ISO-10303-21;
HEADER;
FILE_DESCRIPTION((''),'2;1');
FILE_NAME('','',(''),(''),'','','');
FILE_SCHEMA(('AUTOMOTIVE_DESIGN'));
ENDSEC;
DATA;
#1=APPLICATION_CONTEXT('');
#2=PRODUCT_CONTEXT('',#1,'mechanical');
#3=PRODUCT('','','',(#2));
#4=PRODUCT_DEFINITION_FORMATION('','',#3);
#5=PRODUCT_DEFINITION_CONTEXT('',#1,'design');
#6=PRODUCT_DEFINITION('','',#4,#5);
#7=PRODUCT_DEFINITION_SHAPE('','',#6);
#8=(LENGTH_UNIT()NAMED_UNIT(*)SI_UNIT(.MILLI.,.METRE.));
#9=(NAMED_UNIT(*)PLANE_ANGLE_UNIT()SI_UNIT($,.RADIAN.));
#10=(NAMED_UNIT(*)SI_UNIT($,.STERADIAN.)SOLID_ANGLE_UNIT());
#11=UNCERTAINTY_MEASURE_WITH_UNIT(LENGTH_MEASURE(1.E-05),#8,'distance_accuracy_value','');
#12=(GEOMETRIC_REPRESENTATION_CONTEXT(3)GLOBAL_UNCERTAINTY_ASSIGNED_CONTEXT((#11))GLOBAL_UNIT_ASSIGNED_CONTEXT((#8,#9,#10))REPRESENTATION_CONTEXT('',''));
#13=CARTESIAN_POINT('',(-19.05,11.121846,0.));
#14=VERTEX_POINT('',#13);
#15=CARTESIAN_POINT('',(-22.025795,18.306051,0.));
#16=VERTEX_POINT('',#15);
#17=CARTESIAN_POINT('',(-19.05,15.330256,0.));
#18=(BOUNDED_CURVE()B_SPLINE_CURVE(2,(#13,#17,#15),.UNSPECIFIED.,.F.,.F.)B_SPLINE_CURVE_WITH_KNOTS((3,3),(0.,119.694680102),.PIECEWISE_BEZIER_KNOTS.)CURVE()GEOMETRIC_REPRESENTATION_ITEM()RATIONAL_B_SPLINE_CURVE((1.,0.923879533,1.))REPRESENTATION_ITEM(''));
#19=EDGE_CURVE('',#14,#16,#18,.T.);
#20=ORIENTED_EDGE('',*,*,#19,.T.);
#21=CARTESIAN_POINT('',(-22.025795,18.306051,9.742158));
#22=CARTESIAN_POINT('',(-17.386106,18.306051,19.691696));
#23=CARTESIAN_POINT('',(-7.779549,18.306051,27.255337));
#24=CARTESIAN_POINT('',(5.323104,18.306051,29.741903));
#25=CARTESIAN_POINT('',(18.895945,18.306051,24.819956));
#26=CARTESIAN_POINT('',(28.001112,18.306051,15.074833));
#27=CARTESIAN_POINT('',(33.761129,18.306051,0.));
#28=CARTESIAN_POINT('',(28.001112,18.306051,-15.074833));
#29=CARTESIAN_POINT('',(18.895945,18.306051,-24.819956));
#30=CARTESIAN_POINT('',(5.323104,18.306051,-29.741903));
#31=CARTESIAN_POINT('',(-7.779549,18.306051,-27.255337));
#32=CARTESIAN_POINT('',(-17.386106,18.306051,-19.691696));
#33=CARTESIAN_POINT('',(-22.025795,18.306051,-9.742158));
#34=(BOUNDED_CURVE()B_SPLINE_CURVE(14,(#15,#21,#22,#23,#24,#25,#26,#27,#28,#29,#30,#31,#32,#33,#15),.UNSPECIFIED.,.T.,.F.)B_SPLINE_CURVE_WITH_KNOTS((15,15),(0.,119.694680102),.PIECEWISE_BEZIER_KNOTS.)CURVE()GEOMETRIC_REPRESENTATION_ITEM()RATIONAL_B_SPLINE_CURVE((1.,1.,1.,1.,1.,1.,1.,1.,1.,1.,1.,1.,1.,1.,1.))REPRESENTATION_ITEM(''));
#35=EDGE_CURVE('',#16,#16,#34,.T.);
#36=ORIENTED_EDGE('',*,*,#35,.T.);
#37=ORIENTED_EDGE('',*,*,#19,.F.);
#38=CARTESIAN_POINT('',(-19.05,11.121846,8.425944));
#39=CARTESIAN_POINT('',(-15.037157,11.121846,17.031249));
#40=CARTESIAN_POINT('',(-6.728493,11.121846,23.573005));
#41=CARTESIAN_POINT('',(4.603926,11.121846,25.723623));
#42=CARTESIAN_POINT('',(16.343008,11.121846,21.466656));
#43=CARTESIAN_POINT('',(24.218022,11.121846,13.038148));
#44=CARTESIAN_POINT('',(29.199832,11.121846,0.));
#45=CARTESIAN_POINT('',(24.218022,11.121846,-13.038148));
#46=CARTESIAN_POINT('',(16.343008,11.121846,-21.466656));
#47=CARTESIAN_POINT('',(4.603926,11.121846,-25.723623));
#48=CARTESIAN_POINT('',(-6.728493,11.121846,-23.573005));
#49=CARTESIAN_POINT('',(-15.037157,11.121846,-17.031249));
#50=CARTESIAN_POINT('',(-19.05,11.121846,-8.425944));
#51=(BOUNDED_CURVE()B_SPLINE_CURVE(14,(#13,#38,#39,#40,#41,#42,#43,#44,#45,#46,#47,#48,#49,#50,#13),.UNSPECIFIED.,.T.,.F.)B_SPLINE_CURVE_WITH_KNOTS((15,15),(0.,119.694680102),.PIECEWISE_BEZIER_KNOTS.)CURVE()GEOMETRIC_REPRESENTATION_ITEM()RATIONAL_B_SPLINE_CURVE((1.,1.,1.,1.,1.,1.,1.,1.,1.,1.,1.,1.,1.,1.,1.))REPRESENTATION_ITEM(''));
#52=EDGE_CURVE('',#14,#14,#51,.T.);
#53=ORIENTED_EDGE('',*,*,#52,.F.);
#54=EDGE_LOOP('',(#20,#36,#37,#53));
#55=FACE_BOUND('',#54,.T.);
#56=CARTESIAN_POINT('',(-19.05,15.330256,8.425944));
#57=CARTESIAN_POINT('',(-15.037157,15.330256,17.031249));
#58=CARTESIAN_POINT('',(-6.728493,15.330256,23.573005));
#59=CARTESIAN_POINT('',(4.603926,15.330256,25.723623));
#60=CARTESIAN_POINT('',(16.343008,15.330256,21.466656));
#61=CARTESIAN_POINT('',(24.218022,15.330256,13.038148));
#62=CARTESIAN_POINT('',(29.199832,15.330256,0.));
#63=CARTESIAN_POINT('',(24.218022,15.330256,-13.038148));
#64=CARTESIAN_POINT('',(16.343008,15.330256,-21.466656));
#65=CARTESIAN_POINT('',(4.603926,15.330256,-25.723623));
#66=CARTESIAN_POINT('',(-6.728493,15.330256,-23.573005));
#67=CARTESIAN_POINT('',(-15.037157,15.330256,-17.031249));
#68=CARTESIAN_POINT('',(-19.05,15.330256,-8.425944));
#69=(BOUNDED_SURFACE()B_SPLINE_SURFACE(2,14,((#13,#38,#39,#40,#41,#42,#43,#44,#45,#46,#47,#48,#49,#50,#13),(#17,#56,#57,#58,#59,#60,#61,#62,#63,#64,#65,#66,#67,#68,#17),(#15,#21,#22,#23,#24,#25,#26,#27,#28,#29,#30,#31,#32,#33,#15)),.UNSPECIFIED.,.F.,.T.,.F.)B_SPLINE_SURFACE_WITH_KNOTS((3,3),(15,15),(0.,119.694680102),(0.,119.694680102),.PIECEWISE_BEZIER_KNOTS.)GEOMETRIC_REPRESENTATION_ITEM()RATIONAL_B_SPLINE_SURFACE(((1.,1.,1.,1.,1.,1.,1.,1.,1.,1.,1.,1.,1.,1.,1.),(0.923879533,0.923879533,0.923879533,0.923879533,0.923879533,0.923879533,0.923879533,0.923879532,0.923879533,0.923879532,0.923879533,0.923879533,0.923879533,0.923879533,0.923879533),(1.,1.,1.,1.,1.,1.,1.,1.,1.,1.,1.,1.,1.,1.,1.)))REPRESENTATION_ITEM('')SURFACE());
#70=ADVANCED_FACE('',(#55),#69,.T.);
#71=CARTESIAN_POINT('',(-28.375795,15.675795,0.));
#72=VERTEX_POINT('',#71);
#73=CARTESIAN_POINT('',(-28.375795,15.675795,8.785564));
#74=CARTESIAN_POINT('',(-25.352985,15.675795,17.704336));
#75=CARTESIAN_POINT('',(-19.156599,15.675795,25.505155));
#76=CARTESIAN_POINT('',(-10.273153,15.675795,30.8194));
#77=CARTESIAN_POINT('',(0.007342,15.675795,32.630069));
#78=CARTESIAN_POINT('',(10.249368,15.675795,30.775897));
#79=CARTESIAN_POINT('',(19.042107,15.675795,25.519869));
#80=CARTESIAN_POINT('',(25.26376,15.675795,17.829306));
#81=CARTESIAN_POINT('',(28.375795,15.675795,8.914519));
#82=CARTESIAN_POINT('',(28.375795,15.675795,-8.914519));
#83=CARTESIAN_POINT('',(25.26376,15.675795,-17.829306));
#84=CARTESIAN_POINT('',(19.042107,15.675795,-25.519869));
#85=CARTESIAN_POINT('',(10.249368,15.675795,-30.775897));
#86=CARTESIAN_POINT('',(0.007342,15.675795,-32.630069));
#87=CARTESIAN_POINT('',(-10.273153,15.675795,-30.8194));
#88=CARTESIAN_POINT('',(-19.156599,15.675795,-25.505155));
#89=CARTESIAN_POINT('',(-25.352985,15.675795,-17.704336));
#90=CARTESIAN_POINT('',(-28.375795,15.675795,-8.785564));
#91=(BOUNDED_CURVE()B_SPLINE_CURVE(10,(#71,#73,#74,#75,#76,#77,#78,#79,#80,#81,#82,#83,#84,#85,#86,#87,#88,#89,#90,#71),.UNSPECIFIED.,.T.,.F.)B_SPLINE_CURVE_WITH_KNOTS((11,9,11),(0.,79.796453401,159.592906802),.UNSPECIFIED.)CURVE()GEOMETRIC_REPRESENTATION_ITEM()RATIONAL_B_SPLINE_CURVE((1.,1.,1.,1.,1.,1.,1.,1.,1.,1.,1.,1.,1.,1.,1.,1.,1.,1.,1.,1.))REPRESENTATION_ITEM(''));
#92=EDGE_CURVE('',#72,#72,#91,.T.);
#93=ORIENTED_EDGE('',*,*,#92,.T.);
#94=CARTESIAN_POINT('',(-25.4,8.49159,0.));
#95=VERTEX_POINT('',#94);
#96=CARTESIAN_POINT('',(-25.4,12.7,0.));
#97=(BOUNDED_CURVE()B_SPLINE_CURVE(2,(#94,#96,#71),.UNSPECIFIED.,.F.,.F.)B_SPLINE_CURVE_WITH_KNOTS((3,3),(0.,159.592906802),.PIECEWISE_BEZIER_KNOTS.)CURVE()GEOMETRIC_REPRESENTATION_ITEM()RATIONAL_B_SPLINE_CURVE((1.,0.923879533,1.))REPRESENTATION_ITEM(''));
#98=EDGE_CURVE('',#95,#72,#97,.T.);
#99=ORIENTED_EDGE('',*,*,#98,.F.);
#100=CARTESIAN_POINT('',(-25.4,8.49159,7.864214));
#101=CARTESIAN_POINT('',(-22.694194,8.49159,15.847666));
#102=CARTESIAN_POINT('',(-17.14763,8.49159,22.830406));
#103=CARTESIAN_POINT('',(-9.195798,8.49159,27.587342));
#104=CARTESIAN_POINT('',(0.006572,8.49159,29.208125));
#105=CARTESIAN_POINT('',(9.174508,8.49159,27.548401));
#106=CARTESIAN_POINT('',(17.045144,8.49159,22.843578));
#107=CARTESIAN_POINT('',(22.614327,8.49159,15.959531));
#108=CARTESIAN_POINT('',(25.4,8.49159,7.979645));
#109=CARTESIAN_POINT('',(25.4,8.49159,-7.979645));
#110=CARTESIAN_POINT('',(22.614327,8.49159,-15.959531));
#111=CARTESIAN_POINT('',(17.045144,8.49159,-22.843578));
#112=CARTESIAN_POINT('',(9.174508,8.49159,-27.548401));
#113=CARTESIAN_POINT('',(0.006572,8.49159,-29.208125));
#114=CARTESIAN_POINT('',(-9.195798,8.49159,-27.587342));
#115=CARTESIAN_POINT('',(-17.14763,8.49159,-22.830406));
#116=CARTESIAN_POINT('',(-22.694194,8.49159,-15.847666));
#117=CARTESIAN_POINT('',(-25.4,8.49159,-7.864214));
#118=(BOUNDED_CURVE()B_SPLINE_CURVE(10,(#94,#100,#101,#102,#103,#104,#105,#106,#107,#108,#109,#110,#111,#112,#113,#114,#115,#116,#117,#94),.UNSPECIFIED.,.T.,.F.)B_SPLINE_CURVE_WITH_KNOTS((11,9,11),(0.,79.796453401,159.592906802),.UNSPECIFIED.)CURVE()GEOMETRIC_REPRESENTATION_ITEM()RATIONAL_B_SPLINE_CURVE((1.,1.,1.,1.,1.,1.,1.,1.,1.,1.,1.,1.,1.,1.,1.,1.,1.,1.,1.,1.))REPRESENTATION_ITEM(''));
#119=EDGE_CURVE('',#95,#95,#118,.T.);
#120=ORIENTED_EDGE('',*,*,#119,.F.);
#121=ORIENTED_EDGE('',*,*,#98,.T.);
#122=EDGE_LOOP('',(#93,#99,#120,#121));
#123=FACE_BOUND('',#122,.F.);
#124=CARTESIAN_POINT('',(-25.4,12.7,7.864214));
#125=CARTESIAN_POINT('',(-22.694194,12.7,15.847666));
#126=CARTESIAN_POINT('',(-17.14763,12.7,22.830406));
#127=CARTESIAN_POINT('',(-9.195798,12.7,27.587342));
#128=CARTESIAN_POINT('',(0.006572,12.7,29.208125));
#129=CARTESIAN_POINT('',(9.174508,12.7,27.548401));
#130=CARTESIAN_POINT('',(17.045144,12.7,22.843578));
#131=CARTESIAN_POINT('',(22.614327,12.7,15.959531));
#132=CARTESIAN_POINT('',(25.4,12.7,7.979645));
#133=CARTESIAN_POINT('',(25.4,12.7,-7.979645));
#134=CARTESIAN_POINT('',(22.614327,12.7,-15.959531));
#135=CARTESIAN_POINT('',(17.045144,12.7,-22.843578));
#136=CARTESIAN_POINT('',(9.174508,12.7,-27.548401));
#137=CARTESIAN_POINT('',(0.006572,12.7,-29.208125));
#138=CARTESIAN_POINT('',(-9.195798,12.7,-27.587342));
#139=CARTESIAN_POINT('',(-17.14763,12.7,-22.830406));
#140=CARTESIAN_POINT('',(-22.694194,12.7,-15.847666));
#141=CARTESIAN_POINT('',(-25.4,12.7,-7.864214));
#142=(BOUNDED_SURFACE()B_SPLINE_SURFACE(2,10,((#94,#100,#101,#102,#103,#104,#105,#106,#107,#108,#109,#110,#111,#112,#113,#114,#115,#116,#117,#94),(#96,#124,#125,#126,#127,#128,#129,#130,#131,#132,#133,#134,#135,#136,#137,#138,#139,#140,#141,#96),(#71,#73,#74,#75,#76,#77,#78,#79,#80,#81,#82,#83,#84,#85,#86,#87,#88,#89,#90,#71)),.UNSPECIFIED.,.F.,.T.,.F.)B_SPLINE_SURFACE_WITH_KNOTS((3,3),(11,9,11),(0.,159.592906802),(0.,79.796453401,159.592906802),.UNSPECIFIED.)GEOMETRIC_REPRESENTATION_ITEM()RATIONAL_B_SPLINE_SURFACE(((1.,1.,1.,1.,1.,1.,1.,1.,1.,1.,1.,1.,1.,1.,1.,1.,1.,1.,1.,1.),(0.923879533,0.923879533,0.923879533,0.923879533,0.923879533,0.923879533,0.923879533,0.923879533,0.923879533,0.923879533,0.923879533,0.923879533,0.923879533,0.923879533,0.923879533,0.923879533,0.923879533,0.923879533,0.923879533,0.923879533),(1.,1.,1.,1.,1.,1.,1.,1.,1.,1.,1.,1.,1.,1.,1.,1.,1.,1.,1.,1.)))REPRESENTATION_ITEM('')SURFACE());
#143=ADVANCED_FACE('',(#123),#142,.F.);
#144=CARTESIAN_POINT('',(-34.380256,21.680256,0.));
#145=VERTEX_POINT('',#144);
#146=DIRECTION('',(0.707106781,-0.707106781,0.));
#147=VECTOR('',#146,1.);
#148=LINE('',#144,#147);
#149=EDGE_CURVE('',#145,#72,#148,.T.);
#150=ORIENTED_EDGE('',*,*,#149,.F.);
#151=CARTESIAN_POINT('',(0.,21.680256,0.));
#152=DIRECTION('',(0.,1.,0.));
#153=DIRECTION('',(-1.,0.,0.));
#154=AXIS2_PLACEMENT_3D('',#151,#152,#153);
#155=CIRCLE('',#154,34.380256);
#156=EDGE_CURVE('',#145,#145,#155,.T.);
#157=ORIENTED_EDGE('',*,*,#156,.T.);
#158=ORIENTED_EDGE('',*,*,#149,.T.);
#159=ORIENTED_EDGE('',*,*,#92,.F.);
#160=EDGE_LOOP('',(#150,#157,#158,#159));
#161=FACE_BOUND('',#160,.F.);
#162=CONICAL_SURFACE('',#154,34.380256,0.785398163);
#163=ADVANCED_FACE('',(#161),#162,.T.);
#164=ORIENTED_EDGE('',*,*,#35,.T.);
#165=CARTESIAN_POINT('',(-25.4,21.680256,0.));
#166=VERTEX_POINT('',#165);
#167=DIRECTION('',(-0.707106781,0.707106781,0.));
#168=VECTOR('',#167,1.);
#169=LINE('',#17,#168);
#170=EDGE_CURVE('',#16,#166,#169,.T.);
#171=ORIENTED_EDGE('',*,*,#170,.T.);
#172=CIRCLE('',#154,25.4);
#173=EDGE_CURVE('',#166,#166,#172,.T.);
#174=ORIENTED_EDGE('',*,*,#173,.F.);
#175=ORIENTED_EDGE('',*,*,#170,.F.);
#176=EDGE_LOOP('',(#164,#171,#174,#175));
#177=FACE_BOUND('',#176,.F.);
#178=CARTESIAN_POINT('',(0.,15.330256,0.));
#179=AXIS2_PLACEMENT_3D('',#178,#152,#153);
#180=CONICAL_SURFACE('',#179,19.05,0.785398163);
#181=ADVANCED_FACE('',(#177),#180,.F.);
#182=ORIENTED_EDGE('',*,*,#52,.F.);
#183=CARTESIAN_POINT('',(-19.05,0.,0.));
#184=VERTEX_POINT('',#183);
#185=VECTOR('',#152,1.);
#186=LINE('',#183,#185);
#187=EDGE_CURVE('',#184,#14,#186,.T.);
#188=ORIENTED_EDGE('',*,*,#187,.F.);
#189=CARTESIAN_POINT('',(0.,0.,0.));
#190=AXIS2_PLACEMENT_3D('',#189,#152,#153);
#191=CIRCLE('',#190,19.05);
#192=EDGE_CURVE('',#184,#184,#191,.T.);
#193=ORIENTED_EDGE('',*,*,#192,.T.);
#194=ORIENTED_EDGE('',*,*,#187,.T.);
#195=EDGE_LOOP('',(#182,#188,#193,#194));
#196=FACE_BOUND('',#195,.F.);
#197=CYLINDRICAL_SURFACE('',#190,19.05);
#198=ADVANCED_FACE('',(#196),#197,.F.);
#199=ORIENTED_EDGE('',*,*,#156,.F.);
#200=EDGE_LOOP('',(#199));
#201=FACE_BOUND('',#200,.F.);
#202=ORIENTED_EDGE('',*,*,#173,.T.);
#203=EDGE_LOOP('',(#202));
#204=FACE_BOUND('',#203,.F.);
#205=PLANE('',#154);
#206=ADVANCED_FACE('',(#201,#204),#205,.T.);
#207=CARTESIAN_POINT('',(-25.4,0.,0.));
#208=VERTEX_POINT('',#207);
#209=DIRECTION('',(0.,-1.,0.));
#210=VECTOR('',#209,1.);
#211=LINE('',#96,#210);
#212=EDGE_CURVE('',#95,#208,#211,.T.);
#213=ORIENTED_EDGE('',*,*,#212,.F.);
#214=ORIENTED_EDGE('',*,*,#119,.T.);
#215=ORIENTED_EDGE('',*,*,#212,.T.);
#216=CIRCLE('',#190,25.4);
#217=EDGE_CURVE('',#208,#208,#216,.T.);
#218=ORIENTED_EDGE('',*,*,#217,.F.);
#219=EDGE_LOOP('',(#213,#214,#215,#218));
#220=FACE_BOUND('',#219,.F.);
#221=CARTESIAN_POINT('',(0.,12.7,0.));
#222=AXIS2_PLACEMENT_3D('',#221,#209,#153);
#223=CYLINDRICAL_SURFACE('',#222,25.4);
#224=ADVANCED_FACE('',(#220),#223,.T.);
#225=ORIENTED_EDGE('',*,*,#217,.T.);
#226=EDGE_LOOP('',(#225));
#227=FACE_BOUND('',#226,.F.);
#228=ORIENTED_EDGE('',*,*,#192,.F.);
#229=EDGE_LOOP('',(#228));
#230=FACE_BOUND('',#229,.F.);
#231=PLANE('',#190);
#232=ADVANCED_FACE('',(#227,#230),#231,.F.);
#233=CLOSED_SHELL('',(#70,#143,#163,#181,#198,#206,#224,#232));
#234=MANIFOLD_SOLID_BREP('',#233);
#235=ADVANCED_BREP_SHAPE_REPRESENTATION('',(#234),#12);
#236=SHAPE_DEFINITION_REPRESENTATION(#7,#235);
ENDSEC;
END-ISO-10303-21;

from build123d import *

# Parameters (mm, degrees)
F2_R = 10.16


with BuildPart() as f1:
    # F0 (on Top) → F1 (revolve)
    with BuildSketch(Plane.XY):
        Polygon((-25.4, 12.7), (-25.4, 0), (-19.05, 0), (-19.05, 15.330256), (-25.4, 21.680256), (-34.380256, 21.680256), align=None)
    revolve(axis=Axis((0, 22.036515, 0), (0, 1, 0)))

    # F2
    f2_edges = [f1.edges().sort_by_distance(p)[0] for p in [
        (25.4, 12.7, 0),
        (19.05, 15.330256, 0),
    ]]
    fillet(f2_edges, radius=F2_R)


solid = f1.part
